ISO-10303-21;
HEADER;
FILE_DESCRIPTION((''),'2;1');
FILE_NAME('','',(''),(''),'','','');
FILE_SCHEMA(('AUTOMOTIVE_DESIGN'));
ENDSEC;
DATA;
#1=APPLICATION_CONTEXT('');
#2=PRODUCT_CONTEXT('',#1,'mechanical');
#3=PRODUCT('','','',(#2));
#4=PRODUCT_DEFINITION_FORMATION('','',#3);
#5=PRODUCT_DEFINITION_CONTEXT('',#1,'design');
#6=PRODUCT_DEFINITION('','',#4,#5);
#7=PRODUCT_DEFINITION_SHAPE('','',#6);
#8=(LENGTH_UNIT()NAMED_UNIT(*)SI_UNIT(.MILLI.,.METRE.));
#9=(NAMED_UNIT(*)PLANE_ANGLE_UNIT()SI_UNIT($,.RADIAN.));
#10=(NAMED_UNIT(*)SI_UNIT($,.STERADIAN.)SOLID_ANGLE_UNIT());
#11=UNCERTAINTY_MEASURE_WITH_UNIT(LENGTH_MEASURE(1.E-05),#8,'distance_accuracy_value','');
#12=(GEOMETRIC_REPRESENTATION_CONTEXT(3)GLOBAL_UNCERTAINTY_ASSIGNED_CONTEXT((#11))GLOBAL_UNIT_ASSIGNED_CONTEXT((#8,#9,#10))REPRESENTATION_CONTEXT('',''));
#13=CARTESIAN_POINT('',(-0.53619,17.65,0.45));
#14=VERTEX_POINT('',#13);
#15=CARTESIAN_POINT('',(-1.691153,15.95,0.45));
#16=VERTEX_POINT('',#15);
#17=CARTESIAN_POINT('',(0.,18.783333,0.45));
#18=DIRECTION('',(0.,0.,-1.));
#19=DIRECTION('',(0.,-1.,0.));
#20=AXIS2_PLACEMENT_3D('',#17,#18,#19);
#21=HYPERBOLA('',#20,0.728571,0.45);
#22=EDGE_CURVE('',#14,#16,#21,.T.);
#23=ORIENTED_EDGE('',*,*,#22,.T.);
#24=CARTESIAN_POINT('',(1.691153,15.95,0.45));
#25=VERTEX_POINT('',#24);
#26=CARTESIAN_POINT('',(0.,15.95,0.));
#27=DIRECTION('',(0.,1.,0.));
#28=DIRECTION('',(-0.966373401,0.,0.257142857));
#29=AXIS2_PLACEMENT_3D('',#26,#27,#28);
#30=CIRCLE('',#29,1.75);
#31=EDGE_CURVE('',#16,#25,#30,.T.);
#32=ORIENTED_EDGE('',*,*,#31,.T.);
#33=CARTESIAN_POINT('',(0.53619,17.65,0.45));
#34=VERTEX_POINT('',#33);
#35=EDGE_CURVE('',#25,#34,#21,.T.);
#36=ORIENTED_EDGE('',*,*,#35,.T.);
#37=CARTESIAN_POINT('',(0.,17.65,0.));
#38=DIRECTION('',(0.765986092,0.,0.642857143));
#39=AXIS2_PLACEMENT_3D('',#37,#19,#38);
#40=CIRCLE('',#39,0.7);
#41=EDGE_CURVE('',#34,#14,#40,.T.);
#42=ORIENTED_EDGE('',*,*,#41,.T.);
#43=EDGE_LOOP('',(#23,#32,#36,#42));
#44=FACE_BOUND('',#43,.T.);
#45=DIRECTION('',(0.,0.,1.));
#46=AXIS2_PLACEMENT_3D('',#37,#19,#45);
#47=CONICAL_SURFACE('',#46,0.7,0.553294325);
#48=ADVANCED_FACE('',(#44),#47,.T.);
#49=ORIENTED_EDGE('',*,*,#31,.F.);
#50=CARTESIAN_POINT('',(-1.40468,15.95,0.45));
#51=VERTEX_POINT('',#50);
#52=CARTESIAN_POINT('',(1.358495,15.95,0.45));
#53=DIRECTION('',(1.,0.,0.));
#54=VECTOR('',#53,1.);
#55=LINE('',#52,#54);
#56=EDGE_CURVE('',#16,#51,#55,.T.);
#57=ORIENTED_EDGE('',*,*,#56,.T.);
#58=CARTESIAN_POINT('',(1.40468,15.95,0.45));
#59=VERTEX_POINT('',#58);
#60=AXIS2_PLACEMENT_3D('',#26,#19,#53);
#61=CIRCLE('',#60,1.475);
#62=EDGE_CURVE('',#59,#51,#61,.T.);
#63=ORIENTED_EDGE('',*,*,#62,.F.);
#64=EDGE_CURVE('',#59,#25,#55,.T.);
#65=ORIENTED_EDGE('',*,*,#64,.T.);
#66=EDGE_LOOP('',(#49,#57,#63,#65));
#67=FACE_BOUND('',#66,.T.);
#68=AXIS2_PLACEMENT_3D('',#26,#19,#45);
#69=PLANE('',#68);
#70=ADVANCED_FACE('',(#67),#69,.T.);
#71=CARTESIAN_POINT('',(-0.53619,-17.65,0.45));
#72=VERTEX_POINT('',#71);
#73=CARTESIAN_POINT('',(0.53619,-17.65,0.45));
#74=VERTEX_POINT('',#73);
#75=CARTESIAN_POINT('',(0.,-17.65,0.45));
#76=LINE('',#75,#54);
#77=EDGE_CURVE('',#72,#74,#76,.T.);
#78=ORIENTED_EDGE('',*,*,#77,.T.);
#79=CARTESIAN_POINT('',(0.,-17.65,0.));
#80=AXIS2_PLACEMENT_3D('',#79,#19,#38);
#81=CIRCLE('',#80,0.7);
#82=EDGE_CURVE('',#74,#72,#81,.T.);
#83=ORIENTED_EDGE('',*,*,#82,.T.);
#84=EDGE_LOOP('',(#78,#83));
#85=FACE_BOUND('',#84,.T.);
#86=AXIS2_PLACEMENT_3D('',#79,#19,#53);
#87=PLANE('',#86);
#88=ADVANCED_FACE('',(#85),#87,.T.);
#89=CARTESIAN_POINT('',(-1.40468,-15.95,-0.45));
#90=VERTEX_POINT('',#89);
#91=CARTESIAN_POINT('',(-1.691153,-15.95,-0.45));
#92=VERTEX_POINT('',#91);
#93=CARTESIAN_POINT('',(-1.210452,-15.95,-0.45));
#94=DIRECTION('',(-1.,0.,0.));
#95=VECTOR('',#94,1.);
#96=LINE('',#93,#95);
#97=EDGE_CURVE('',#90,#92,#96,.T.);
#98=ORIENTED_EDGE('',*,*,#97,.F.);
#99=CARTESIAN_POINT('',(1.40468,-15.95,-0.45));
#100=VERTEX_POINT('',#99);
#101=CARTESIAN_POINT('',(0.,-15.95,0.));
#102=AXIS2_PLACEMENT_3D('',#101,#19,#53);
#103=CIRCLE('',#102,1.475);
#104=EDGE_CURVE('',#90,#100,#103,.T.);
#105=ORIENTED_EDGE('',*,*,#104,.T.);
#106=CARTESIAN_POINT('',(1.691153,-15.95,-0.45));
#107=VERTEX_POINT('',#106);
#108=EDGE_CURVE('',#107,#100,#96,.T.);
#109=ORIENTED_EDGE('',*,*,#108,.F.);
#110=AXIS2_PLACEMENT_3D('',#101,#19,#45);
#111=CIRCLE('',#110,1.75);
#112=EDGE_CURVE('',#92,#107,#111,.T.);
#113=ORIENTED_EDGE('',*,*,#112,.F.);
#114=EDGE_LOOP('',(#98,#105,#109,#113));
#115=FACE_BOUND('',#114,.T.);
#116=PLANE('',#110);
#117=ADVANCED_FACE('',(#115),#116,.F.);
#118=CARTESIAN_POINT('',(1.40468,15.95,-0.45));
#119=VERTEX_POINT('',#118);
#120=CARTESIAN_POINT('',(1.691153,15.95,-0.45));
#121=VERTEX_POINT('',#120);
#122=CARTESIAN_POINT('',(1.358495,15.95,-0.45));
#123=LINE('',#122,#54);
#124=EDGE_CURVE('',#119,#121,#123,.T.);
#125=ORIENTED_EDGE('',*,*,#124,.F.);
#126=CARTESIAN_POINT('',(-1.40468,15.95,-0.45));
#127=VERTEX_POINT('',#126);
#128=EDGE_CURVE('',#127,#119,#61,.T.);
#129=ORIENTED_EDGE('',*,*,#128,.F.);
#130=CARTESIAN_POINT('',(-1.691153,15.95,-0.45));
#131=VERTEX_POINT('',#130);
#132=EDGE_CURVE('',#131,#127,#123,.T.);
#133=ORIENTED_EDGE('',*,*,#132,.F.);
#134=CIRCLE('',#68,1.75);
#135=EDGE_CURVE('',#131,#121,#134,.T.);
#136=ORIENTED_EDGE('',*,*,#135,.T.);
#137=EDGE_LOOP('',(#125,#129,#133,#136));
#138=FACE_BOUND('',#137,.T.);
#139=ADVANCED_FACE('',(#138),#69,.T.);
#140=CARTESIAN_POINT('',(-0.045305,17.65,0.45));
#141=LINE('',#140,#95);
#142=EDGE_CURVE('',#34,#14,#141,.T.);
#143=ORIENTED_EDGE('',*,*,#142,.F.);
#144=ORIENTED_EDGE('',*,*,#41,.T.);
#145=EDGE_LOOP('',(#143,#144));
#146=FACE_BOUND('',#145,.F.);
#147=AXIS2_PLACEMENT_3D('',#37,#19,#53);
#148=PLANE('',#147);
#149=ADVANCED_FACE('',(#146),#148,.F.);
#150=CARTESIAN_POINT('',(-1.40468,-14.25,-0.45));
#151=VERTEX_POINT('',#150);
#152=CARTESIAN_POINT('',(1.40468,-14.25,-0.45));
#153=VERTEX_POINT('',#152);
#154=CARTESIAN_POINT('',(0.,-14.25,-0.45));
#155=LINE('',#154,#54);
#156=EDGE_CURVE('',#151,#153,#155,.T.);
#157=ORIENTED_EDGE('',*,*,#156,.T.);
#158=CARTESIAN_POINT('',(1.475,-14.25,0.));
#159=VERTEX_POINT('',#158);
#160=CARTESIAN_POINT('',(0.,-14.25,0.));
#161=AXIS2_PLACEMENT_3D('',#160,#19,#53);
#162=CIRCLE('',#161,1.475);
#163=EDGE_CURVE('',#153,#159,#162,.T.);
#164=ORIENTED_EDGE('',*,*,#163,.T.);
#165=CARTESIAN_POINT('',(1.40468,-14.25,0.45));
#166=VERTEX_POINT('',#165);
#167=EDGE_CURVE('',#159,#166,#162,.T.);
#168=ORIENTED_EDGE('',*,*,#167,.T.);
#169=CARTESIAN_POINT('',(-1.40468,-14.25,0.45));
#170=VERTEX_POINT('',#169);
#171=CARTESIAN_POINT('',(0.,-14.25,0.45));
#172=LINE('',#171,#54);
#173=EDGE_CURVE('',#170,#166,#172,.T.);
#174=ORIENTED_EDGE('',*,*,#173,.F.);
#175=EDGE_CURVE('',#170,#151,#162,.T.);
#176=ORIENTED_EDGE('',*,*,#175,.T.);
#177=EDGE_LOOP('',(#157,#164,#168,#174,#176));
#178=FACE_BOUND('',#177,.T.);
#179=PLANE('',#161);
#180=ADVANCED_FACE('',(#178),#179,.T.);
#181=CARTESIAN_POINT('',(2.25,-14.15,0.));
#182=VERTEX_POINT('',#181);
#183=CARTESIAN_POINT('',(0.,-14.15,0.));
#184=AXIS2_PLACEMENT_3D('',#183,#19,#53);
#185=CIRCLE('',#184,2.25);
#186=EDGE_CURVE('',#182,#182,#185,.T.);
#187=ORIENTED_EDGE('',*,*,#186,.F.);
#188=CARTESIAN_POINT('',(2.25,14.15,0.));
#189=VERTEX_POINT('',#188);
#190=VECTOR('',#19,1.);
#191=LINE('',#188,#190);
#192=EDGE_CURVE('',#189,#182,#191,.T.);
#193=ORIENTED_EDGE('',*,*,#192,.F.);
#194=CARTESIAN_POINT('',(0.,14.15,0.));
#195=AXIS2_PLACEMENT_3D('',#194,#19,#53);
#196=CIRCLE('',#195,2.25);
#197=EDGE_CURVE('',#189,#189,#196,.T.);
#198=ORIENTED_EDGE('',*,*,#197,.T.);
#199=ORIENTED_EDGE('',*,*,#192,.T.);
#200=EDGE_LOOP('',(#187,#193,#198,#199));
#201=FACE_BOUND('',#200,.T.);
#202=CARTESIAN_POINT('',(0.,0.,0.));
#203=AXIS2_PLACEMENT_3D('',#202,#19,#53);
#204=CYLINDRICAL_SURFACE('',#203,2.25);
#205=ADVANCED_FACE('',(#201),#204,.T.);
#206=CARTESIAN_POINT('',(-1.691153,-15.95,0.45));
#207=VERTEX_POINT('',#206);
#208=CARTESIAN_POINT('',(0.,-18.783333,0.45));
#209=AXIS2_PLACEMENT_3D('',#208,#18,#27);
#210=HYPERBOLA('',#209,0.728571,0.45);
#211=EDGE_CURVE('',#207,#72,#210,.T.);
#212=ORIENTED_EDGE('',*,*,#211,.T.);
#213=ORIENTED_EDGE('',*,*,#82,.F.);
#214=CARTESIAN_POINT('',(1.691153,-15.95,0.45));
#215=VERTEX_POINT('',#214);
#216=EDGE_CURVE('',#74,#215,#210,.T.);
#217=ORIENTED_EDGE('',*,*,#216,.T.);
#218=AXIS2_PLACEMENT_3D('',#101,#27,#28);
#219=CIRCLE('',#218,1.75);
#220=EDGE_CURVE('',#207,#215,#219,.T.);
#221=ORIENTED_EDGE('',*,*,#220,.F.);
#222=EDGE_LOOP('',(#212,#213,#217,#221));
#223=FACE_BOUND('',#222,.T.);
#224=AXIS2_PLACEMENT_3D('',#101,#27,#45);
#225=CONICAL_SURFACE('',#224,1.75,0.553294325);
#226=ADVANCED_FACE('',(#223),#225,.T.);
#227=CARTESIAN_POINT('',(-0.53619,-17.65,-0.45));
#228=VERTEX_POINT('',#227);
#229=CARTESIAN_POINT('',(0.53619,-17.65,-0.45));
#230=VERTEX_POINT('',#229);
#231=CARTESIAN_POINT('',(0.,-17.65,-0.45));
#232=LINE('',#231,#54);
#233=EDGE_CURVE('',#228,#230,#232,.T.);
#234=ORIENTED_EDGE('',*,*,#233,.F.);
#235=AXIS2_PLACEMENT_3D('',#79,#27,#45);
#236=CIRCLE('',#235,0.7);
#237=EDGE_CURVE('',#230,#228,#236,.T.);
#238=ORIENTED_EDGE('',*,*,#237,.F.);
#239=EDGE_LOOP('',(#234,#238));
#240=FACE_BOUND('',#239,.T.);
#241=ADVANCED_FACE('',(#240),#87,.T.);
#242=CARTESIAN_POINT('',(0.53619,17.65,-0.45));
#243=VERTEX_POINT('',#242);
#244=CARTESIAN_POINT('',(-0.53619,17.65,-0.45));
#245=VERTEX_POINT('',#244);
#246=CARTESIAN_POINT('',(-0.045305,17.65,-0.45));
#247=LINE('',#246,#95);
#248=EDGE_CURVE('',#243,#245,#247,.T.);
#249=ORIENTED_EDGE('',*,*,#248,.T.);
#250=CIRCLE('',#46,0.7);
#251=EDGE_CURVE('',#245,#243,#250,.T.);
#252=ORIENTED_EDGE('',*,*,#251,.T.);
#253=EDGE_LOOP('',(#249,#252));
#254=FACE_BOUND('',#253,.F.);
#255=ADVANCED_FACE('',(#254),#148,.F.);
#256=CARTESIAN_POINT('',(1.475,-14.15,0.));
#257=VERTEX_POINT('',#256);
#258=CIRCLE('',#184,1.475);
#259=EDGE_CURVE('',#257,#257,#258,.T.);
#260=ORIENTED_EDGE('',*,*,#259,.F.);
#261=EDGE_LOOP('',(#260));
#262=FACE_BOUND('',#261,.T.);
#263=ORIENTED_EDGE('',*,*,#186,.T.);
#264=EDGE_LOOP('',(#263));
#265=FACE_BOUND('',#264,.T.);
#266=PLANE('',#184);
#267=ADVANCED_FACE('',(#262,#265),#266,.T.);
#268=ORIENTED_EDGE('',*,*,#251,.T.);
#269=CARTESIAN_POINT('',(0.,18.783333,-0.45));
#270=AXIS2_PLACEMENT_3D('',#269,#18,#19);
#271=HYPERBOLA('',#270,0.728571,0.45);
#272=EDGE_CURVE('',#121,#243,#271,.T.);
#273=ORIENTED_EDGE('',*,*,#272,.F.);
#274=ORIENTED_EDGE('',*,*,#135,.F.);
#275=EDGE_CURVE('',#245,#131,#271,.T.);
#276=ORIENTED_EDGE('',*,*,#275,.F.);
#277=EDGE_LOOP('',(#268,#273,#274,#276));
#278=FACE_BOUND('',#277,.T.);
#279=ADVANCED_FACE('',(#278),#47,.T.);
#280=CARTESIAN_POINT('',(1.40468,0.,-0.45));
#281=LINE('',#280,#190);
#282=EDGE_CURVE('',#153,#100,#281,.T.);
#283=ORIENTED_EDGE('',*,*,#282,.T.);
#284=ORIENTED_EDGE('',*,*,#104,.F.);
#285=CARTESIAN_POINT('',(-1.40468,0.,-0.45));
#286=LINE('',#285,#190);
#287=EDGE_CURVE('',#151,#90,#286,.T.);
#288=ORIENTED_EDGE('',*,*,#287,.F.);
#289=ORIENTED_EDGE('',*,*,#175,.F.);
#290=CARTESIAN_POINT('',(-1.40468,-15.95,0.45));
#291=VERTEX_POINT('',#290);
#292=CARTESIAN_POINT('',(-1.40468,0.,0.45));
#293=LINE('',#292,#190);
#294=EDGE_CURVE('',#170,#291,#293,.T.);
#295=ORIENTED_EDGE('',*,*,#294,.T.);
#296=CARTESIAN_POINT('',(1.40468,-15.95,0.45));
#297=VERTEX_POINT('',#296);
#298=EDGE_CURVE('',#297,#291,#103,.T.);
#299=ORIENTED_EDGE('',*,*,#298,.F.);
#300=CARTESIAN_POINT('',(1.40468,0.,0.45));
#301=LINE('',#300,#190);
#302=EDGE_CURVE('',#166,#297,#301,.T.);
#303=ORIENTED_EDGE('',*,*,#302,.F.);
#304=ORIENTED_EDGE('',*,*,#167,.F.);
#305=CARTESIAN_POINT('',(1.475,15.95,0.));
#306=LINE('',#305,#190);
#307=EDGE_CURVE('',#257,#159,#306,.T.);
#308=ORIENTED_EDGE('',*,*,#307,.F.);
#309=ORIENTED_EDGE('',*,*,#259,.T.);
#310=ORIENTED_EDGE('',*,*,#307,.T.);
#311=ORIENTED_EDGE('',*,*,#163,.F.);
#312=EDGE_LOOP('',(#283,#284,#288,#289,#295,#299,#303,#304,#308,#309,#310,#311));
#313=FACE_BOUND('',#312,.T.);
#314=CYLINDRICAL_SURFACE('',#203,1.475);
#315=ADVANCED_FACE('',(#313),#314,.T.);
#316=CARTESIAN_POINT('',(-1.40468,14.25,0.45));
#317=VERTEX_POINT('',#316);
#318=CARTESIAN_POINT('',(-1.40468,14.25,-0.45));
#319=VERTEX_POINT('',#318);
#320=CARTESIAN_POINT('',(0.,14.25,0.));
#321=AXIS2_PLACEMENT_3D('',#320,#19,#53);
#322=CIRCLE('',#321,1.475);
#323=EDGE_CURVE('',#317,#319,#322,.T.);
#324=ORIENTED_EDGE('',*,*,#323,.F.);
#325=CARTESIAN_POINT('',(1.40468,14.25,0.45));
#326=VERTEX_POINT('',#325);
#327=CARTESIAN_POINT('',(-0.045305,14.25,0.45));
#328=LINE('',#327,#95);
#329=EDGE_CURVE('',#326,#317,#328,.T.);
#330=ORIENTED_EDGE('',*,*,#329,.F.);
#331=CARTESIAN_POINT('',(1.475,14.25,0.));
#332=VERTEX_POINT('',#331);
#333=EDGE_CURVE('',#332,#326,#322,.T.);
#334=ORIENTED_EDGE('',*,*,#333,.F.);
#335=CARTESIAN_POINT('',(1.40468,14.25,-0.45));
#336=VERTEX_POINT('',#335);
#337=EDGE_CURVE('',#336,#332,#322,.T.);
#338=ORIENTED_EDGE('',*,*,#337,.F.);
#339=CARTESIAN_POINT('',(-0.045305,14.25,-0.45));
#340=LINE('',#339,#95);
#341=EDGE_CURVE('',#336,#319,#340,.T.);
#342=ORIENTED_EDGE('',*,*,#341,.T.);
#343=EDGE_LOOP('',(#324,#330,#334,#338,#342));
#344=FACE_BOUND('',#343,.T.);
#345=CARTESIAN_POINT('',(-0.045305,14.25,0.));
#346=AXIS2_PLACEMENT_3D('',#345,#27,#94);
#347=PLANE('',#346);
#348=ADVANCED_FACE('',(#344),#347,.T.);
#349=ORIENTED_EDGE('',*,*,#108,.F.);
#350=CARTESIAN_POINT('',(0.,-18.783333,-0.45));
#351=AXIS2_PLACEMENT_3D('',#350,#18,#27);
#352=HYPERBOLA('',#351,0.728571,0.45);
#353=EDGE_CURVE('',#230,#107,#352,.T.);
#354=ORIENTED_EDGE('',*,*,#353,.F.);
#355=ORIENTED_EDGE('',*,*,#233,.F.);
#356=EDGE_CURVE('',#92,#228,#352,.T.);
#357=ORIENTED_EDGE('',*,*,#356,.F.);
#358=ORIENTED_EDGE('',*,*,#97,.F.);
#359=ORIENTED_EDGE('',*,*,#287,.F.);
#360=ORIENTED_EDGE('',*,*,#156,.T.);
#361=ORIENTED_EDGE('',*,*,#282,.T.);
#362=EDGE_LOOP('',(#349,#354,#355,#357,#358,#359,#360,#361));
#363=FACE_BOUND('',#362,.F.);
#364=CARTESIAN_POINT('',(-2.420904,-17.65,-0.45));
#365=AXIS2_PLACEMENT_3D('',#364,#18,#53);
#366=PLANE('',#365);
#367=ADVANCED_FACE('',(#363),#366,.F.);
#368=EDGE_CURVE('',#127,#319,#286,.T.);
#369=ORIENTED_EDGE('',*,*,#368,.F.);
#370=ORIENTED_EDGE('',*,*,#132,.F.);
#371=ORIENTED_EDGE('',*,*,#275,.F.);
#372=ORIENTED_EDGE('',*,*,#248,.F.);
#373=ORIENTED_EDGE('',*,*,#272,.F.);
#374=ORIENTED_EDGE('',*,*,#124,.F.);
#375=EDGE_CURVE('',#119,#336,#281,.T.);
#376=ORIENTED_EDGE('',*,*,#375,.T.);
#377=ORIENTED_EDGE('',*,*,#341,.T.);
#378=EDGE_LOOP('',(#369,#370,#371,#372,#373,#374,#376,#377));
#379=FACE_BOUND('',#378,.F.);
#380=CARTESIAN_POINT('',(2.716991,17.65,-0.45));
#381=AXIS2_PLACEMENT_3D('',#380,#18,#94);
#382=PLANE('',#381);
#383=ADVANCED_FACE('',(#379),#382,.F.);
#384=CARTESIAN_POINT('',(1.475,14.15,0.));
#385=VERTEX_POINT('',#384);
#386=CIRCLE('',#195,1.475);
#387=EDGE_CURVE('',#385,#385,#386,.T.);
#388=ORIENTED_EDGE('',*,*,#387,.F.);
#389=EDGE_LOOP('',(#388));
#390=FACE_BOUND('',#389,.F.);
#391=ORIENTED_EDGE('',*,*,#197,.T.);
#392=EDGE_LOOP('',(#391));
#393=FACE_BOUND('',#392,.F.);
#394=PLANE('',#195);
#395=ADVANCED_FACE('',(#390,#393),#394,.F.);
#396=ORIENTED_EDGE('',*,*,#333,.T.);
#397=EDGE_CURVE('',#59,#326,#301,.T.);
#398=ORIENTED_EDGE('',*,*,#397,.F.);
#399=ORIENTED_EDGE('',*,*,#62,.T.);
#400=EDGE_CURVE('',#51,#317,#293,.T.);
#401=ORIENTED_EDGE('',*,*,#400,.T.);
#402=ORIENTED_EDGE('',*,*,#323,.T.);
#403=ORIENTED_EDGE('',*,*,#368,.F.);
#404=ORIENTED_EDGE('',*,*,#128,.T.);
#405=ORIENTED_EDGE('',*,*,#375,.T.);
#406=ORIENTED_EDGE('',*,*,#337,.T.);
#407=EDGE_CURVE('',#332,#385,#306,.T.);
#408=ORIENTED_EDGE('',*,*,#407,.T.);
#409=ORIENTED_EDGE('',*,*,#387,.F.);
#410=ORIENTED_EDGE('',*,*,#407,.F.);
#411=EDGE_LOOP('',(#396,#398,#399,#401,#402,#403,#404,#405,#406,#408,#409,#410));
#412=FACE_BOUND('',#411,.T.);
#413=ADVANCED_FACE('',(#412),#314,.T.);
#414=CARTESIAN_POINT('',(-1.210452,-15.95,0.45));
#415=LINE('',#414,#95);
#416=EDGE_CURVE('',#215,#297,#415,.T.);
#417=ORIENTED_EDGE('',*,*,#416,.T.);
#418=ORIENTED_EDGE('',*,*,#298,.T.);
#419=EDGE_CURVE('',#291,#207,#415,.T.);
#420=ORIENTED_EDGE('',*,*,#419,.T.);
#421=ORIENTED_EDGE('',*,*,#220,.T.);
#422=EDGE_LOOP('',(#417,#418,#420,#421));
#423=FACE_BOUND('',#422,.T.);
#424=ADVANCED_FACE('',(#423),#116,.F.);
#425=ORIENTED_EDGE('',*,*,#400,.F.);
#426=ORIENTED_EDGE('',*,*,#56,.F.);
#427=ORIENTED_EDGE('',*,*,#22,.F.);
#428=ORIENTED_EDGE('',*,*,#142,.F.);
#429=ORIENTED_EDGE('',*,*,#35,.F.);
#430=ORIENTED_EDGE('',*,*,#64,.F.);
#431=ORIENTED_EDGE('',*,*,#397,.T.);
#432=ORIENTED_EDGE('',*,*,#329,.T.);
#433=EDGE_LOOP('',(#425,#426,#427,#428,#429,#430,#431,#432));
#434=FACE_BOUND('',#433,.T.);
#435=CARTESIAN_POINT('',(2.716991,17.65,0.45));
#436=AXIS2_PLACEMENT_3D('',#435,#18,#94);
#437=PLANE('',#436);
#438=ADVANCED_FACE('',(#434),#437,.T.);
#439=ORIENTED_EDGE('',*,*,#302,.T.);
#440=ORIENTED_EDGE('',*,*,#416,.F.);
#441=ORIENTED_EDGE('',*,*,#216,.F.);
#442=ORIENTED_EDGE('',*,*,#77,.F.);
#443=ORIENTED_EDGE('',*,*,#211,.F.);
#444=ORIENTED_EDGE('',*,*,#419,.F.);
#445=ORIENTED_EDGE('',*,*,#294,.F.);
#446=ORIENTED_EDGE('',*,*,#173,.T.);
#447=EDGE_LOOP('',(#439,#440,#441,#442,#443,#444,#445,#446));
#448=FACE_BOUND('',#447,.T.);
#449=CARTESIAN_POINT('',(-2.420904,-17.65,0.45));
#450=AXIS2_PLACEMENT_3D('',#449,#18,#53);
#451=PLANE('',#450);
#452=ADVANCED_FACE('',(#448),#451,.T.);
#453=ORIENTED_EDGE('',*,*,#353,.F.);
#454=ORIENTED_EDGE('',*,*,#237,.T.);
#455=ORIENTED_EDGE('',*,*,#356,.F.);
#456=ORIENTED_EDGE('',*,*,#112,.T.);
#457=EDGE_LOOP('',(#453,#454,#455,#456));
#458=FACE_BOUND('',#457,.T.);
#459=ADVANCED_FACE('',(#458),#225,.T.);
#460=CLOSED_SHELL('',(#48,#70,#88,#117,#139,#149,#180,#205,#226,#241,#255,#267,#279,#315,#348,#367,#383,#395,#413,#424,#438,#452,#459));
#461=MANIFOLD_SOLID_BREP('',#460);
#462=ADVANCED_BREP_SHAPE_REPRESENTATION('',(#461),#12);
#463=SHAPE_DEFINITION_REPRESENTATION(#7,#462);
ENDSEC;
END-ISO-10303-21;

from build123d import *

# Parameters (mm, degrees)
F0_R     = 0.7
F1_DEPTH = 17.65
F0_R_2   = 1.475
F2_DEPTH = 15.95
F0_R_3   = 2.25
F3_DEPTH = 14.15
F6_W     = 5.524591
F6_H     = 0.9
F8_DEPTH = 3.4
F7_W     = 4.841808
F7_H     = 0.9
F9_DEPTH = 3.4


with BuildPart() as f1:
    # F0 (on Front) → F1 (new body, symmetric)
    with BuildSketch(Plane.XZ):
        Circle(F0_R)
    extrude(amount=F1_DEPTH, both=True)

    # F0 (on Front) → F2 (join, symmetric)
    with BuildSketch(Plane.XZ):
        Circle(F0_R_2)
        Circle(F0_R, mode=Mode.SUBTRACT)
    extrude(amount=F2_DEPTH, both=True)

    # F0 (on Front) → F3 (join, symmetric)
    with BuildSketch(Plane.XZ):
        Circle(F0_R_3)
        Circle(F0_R_2, mode=Mode.SUBTRACT)
    extrude(amount=F3_DEPTH, both=True)

    # F4 (on Right) → F5 (revolve)
    with BuildSketch(Plane.YZ):
        Polygon((15.95, 0.7), (17.65, 0.7), (15.95, 1.75), align=None)
        Polygon((-17.65, 0.7), (-15.95, 0.7), (-15.95, 1.75), align=None)
    revolve(axis=Axis((0, 15.95, 0), (0, -1, 0)))

    # F6 (on face) → F8 (cut)
    with BuildSketch(Plane(origin=(0, 17.65, 0), x_dir=(-1, 0, 0), z_dir=(0, 1, 0))):
        with Locations((0.045305, 0)):
            Rectangle(F6_W, F6_H)
    extrude(amount=-F8_DEPTH, mode=Mode.SUBTRACT)

    # F7 (on face) → F9 (cut)
    with BuildSketch(Plane.XZ.offset(17.65)):
        Rectangle(F7_W, F7_H)
    extrude(amount=-F9_DEPTH, mode=Mode.SUBTRACT)


solid = f1.part
